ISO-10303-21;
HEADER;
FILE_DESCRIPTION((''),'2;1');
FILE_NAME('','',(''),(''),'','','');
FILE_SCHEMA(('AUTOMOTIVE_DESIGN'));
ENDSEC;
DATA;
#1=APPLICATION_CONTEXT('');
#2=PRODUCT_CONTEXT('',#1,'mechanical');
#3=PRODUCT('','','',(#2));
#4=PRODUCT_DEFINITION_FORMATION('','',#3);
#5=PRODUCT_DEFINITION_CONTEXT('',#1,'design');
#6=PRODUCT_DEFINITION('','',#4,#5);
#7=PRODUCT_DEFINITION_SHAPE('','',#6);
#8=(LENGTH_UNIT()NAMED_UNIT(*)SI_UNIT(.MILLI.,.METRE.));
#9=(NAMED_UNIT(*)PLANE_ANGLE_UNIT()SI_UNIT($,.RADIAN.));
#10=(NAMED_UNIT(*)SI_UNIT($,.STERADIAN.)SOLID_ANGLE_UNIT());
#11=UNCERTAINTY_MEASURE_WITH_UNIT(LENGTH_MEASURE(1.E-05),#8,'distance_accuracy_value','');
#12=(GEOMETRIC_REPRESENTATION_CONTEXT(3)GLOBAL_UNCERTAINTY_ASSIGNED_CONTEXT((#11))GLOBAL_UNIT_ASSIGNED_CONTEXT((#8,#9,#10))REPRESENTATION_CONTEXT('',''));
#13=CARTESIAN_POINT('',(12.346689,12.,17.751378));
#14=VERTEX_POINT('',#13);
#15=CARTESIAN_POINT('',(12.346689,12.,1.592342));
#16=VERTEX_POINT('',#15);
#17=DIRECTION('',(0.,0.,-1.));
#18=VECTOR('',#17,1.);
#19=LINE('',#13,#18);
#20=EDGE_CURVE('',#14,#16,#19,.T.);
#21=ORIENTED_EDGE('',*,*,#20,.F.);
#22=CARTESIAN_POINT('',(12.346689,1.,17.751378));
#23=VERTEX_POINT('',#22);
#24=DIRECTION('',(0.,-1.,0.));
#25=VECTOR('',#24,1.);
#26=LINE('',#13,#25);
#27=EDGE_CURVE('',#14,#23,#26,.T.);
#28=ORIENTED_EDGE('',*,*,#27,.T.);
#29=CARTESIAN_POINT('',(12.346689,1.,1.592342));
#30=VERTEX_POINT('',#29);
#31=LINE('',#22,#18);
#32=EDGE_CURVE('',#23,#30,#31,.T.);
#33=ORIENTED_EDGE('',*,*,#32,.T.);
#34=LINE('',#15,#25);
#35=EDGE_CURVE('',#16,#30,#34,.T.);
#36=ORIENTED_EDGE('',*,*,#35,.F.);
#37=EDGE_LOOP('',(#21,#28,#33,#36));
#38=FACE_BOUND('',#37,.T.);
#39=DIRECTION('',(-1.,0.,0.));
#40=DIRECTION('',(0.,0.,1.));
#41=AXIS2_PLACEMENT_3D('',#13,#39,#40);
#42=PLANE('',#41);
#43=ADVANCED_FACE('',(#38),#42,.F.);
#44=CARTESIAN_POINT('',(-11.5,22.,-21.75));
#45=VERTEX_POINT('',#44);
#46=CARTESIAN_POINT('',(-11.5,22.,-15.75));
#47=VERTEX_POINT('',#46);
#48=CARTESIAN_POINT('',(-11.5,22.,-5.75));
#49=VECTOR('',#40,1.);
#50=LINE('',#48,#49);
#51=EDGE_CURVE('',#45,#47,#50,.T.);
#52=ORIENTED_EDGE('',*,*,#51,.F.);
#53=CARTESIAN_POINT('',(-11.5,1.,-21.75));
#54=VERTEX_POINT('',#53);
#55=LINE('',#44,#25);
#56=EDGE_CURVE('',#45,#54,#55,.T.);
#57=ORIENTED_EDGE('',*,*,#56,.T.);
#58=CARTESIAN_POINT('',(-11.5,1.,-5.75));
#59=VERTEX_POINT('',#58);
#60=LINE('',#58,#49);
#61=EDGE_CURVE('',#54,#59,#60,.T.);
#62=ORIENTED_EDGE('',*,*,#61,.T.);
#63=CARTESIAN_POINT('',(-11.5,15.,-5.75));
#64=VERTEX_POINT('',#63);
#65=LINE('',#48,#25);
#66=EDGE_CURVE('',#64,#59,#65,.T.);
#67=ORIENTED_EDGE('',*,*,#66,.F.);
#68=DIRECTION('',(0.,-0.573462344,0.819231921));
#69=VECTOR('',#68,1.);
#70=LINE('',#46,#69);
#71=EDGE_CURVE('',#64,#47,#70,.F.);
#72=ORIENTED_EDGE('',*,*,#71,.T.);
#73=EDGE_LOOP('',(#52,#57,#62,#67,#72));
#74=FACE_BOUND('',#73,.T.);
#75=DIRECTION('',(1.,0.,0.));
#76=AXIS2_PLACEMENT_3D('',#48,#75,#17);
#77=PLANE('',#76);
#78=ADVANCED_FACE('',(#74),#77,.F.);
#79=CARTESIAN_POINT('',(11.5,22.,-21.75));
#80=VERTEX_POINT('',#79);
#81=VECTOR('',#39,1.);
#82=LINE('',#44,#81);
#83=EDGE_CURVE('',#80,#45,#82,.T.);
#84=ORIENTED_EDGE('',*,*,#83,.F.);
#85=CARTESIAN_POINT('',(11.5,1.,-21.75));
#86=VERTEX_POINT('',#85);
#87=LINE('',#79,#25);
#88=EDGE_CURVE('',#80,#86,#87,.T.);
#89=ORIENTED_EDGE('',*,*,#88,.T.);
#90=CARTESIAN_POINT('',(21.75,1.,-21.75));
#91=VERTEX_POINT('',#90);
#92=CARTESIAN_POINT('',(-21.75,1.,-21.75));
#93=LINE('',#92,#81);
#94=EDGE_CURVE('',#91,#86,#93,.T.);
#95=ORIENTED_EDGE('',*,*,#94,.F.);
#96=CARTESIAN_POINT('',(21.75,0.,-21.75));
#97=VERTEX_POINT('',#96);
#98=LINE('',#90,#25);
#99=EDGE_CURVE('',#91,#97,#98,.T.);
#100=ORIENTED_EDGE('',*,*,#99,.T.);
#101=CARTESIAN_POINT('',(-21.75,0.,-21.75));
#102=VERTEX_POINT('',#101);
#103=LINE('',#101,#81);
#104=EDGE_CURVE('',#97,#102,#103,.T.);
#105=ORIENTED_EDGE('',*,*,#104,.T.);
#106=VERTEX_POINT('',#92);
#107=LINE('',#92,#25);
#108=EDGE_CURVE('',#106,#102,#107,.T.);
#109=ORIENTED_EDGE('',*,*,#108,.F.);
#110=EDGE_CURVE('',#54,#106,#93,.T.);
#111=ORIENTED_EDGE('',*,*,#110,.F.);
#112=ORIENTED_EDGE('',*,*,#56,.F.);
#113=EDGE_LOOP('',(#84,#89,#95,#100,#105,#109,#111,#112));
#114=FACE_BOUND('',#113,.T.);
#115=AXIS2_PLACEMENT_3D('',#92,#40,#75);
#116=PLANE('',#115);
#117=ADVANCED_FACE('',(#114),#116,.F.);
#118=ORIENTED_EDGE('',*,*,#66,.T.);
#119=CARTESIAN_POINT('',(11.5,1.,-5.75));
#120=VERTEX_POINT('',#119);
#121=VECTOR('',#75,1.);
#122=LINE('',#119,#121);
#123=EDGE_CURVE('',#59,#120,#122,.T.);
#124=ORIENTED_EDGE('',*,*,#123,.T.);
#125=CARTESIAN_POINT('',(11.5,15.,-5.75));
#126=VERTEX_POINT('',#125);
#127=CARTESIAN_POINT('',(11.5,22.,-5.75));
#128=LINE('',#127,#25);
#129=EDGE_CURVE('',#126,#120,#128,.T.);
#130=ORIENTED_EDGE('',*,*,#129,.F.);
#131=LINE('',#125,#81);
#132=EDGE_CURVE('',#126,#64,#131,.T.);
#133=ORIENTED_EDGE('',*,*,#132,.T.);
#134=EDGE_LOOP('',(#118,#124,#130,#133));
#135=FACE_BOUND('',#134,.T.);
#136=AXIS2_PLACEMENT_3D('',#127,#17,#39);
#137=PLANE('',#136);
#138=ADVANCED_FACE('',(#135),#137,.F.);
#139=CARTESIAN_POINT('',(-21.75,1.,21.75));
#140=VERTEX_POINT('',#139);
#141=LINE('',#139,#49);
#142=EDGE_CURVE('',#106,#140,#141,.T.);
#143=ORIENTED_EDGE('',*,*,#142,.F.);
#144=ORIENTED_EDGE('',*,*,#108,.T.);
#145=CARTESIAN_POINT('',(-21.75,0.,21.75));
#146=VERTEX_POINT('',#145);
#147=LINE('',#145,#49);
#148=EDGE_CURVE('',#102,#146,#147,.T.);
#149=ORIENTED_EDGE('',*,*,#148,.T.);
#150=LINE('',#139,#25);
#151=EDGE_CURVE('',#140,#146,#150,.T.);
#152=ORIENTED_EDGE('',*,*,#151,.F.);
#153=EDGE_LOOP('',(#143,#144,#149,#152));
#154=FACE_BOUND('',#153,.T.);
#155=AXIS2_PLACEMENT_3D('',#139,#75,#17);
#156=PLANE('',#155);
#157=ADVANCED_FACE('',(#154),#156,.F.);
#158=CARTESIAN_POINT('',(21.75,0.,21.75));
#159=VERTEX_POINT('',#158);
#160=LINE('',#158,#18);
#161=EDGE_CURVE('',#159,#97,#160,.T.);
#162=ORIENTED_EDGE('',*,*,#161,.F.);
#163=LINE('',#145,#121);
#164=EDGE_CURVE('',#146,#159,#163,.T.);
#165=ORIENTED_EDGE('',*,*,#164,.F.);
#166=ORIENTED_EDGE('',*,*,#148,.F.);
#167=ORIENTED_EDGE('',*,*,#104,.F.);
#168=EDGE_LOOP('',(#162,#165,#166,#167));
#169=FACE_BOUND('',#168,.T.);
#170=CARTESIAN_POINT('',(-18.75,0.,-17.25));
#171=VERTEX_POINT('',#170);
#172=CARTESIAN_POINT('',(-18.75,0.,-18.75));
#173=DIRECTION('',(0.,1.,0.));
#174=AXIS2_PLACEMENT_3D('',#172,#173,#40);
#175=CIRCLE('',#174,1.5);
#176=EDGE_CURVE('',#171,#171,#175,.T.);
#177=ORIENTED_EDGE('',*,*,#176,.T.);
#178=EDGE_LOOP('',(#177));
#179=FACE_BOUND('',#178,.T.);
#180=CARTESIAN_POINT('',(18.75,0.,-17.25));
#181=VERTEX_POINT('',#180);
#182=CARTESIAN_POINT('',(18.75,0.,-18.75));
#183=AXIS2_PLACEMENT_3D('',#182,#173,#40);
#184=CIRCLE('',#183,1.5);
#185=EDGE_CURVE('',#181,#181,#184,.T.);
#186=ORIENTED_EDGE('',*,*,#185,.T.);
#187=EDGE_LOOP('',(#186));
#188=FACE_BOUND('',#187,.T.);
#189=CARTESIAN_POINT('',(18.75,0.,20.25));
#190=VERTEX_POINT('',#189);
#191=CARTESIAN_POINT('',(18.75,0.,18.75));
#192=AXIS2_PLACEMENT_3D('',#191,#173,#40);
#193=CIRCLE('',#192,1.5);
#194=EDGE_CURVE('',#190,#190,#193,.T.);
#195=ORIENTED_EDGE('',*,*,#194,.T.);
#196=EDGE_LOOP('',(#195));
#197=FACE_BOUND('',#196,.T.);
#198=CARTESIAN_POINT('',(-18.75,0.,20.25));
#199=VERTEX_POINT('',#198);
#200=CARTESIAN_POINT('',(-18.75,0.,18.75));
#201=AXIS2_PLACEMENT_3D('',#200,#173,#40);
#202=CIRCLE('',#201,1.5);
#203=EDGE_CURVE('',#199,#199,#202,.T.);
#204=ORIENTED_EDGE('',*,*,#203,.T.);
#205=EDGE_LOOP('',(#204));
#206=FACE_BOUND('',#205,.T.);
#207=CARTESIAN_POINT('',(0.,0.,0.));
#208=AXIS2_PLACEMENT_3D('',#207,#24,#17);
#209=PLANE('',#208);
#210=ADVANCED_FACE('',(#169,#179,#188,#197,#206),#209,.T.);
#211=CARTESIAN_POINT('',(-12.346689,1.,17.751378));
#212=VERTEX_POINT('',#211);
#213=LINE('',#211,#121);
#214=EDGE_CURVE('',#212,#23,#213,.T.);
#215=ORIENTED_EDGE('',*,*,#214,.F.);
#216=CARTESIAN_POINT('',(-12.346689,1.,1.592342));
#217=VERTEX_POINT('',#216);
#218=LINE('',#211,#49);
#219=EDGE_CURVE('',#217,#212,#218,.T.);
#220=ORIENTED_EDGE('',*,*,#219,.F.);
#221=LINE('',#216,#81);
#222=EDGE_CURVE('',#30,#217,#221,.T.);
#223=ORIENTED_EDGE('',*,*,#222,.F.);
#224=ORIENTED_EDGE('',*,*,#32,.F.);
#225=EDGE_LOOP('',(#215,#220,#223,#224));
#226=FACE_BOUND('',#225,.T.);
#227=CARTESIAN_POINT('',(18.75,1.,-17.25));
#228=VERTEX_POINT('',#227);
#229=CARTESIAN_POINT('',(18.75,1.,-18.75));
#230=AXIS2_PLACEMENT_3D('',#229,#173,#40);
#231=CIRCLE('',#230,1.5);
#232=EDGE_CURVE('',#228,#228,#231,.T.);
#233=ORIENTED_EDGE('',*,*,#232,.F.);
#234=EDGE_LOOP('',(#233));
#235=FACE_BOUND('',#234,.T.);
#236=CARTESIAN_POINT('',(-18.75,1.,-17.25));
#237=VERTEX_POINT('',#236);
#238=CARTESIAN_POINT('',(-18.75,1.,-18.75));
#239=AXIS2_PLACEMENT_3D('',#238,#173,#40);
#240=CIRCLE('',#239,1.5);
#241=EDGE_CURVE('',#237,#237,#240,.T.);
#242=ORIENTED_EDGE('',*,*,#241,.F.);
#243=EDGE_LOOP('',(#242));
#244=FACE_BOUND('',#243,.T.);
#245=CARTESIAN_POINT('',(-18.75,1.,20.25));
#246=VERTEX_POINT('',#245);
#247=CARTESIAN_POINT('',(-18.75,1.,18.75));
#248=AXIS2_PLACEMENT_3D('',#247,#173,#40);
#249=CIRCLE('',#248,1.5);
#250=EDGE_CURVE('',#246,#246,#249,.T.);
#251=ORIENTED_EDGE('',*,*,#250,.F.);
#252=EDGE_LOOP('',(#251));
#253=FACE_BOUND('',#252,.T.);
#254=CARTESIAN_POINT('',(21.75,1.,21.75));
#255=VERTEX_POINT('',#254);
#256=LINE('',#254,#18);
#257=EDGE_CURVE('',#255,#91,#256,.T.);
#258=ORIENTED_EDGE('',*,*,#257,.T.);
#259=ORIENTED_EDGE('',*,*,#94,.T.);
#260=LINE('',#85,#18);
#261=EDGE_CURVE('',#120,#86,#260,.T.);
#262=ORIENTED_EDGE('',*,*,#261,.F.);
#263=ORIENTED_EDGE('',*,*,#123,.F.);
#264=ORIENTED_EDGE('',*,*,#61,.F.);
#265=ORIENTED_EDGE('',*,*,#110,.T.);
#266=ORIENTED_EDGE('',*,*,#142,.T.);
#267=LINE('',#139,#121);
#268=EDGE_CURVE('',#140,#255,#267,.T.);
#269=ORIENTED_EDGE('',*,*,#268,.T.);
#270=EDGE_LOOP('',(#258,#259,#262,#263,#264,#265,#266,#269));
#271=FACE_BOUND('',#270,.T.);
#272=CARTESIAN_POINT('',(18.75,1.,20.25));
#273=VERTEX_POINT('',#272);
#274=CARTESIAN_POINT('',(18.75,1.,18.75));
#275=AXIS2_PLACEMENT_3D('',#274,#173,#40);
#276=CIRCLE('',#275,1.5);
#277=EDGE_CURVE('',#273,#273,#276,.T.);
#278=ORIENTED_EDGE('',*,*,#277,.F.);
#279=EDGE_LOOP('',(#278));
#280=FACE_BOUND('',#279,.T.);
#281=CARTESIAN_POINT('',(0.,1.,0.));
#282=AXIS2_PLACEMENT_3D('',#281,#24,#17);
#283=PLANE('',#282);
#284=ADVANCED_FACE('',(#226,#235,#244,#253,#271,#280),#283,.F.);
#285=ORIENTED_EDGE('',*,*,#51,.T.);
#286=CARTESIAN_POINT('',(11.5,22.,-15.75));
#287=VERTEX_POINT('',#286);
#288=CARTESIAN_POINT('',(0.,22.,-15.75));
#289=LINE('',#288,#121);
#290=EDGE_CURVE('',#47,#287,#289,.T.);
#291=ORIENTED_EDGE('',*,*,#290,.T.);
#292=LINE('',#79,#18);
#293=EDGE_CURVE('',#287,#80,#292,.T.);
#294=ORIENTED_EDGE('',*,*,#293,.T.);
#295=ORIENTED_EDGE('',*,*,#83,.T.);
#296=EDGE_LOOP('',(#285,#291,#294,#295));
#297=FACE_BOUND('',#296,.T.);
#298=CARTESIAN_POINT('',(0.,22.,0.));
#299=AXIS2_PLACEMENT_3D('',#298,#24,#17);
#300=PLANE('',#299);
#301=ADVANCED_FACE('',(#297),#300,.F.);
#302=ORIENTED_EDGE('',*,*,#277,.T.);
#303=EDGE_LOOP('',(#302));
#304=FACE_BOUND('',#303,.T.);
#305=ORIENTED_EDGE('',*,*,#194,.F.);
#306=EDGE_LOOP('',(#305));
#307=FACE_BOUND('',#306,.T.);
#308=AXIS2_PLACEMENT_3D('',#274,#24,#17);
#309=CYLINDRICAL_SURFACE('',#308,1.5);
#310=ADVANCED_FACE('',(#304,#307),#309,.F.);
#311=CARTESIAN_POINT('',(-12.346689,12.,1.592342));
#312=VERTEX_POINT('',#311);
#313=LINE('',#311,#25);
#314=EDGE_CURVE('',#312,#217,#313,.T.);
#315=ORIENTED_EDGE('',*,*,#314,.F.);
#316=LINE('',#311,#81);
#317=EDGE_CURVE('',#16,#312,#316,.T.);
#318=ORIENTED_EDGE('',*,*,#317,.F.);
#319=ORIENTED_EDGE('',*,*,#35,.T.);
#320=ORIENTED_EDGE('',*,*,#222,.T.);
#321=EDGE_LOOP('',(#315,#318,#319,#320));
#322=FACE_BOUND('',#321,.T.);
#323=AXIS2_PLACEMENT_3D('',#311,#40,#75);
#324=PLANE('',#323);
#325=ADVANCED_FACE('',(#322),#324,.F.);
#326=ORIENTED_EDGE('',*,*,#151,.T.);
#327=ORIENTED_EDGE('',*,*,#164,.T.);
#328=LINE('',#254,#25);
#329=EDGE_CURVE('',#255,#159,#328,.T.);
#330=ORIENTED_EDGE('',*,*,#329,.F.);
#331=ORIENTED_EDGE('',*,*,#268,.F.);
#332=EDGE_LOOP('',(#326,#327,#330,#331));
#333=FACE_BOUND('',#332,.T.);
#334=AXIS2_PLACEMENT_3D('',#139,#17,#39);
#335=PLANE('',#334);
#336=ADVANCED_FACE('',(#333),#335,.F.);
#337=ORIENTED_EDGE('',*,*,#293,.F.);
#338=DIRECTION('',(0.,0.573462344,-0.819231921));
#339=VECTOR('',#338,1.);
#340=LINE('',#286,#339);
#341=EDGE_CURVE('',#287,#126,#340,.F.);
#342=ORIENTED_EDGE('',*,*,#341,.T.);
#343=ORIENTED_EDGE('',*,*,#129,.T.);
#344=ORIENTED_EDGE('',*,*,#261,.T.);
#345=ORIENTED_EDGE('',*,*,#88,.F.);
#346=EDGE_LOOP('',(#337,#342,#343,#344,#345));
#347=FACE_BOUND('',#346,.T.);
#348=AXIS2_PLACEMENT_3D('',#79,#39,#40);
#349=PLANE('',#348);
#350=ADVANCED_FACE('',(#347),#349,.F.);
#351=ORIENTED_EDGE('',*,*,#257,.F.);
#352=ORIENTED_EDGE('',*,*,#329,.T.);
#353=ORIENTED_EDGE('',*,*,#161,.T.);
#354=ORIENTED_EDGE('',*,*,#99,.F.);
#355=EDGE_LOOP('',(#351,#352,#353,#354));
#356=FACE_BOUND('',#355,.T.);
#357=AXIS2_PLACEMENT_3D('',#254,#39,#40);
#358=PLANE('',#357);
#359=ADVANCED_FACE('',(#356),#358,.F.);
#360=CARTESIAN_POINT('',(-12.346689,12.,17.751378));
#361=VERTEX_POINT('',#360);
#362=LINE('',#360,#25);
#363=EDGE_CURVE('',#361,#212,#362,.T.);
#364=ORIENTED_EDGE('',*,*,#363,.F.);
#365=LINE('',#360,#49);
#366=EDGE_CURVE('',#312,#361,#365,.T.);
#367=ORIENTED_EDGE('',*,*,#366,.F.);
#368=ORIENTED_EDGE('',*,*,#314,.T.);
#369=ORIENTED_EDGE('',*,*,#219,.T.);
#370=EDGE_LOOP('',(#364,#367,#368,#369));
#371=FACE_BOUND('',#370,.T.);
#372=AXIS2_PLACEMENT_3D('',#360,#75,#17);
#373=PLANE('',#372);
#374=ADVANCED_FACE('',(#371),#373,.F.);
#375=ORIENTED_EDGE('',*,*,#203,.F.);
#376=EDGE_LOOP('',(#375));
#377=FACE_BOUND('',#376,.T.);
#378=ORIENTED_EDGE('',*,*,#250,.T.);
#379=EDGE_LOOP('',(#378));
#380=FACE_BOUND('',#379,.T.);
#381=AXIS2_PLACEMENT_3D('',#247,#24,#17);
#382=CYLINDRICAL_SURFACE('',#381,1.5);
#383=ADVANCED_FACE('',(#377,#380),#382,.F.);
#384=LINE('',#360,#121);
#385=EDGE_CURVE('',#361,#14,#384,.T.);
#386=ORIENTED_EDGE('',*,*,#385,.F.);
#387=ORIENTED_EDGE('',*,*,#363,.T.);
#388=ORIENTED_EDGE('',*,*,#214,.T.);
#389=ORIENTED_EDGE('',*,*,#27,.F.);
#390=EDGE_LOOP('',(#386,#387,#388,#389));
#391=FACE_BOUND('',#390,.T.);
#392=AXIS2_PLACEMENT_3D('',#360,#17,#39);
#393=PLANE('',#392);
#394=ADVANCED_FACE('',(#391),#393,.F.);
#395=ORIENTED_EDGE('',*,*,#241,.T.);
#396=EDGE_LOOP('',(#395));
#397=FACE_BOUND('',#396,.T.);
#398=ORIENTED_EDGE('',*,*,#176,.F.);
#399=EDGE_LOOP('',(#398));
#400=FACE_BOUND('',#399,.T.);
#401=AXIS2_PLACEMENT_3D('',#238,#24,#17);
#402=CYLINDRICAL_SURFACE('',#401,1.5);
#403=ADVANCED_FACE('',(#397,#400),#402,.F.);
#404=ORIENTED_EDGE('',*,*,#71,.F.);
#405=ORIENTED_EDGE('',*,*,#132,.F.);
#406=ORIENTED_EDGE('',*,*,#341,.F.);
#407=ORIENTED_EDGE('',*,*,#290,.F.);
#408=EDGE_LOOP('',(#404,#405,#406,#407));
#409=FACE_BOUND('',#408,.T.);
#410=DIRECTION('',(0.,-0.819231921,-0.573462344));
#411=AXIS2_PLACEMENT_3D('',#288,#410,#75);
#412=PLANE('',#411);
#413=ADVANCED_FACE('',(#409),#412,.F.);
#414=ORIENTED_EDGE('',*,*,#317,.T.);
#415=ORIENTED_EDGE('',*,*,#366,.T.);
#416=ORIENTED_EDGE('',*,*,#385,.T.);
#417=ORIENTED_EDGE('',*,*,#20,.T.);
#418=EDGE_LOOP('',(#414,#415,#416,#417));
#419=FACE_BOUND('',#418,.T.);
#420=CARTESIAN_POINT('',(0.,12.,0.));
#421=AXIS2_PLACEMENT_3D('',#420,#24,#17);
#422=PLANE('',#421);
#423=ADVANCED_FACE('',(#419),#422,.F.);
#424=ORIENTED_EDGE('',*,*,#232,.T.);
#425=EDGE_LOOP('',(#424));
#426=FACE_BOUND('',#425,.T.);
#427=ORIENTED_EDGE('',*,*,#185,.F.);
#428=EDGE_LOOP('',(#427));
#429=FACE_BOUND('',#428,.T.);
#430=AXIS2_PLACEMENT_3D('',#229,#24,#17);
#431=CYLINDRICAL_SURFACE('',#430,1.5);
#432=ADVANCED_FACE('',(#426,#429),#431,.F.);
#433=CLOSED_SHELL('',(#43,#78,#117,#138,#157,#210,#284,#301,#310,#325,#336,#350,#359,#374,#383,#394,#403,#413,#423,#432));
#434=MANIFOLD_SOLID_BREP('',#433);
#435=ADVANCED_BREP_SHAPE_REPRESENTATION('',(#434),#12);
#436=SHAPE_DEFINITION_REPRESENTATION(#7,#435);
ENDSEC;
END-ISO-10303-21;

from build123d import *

# Parameters (mm, degrees)
CROQUIS1_W              = 43.5
CROQUIS1_H              = 43.5
CROQUIS1_R              = 1.5
SALIENTE_EXTRUIR1_DEPTH = 1
CROQUIS2_W              = 23
CROQUIS2_H              = 16
SALIENTE_EXTRUIR2_DEPTH = 21
CROQUIS3_W              = 24.693378616
CROQUIS3_H              = 16.159035638
SALIENTE_EXTRUIR3_DEPTH = 11
CHAFL_N1_SIZE           = 7
CHAFL_N1_SIZE2          = 10


with BuildPart() as part:
    # Croquis1 → Saliente-Extruir1 (new body)
    with BuildSketch(Plane(origin=(0, 0, 0), x_dir=(1, 0, 0), z_dir=(0, 1, 0))):
        Rectangle(CROQUIS1_W, CROQUIS1_H)
        with Locations((-18.75, 18.75)):
            Circle(CROQUIS1_R, mode=Mode.SUBTRACT)
        with Locations((18.75, 18.75)):
            Circle(CROQUIS1_R, mode=Mode.SUBTRACT)
        with Locations((18.75, -18.75)):
            Circle(CROQUIS1_R, mode=Mode.SUBTRACT)
        with Locations((-18.75, -18.75)):
            Circle(CROQUIS1_R, mode=Mode.SUBTRACT)
    extrude(amount=SALIENTE_EXTRUIR1_DEPTH)

    # Croquis2 → Saliente-Extruir2 (add)
    with BuildSketch(Plane(origin=(0, 1, 0), x_dir=(1, 0, 0), z_dir=(0, 1, 0))):
        with Locations((0, 13.75)):
            Rectangle(CROQUIS2_W, CROQUIS2_H)
    extrude(amount=SALIENTE_EXTRUIR2_DEPTH)

    # Croquis3 → Saliente-Extruir3 (add)
    with BuildSketch(Plane(origin=(0, 1, 0), x_dir=(1, 0, 0), z_dir=(0, 1, 0))):
        with Locations((0, -9.671859961)):
            Rectangle(CROQUIS3_W, CROQUIS3_H)
    extrude(amount=SALIENTE_EXTRUIR3_DEPTH)

    # Chaflán1
    chafl_n1_edges = [part.edges().sort_by_distance(p)[0] for p in [
        (0, 22, -5.75),
    ]]
    chafl_n1_side = [part.faces().sort_by_distance(p)[0] for p in [
        (0, 11.5, -5.75),
    ]]
    chamfer(chafl_n1_edges, length=CHAFL_N1_SIZE, length2=CHAFL_N1_SIZE2, reference=chafl_n1_side[0])


solid = part.part
